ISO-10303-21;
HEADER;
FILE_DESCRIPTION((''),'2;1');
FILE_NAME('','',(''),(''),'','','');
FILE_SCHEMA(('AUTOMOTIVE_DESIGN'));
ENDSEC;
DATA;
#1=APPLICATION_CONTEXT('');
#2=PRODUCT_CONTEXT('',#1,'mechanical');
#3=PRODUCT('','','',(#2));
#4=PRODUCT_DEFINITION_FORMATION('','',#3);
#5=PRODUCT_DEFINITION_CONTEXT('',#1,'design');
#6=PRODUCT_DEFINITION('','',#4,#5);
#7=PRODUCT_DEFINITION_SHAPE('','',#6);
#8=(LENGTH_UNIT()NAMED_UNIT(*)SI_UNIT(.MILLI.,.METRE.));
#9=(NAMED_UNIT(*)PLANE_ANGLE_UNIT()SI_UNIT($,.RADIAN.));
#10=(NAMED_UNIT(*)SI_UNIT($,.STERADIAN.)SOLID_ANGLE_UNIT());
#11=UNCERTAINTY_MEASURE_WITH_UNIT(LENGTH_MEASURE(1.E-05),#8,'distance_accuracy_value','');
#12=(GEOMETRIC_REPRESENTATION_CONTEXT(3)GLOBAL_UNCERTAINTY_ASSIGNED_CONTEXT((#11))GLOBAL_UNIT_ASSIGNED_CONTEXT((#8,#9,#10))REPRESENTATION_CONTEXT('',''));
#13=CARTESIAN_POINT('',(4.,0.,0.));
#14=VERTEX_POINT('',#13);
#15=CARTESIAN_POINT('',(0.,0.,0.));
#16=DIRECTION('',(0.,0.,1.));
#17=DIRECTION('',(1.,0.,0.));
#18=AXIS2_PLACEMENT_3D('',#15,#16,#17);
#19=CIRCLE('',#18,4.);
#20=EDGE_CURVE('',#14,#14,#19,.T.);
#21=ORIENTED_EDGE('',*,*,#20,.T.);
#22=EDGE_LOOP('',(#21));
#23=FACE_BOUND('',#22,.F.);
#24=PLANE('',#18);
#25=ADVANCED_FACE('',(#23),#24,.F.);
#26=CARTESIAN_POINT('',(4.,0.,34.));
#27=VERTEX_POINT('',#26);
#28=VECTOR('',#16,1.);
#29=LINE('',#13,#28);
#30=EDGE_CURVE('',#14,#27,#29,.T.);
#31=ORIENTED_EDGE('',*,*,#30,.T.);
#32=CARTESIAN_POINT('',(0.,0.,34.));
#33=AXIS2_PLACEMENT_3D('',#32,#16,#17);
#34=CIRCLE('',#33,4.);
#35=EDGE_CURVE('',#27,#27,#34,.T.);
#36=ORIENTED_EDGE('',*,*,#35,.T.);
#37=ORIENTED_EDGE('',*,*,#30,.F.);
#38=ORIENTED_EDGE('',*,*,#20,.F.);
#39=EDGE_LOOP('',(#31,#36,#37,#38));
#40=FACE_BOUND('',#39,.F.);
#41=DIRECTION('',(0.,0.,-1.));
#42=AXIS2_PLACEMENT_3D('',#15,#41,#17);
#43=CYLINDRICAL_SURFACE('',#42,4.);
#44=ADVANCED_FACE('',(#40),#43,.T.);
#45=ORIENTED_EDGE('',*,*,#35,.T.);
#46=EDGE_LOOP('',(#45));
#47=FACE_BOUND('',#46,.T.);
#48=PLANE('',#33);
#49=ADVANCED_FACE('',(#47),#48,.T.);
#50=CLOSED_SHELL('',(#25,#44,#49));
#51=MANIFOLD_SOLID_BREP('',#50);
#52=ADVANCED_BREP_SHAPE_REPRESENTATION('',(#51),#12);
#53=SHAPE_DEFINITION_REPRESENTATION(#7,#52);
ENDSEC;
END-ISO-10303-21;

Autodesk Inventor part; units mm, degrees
ref_plane "YZ Plane" through (0, 0, 0) normal (1, 0, 0) x (0, 1, 0)
ref_plane "XZ Plane" through (0, 0, 0) normal (0, 1, 0) x (-1, 0, 0)
ref_plane "XY Plane" through (0, 0, 0) normal (0, 0, 1) x (1, 0, 0)
sketch "Sketch1" plane through (0, 0, 0) normal (0, 0, 1) x (1, 0, 0)
  circle A0 centre (0, 0) radius 4
  dimension "d0" = 8
extrude "Extrusion1" add sketch "Sketch1" along normal blind 34
thread "Thread1" size "M8x1.25" class "6g" standard "ANSI Metric M Profile" length 26
equation "\"d12\" = 55deg"
equation "\"Sketch2_Pitch\" = 1.25"
equation "\"d31\" = 55deg"
equation "\"Sketch5_Pitch\" = 1.25"
equation "\"d50\" = 55deg"
equation "\"Sketch8_Pitch\" = 1.25"
equation "\"d69\" = 55deg"
equation "\"Sketch11_Pitch\" = 1.25"
equation "\"d88\" = 55deg"
equation "\"Sketch14_Pitch\" = 1.25"
properties part number "M8_34mmRod" material "Stainless Steel, Austenitic"
